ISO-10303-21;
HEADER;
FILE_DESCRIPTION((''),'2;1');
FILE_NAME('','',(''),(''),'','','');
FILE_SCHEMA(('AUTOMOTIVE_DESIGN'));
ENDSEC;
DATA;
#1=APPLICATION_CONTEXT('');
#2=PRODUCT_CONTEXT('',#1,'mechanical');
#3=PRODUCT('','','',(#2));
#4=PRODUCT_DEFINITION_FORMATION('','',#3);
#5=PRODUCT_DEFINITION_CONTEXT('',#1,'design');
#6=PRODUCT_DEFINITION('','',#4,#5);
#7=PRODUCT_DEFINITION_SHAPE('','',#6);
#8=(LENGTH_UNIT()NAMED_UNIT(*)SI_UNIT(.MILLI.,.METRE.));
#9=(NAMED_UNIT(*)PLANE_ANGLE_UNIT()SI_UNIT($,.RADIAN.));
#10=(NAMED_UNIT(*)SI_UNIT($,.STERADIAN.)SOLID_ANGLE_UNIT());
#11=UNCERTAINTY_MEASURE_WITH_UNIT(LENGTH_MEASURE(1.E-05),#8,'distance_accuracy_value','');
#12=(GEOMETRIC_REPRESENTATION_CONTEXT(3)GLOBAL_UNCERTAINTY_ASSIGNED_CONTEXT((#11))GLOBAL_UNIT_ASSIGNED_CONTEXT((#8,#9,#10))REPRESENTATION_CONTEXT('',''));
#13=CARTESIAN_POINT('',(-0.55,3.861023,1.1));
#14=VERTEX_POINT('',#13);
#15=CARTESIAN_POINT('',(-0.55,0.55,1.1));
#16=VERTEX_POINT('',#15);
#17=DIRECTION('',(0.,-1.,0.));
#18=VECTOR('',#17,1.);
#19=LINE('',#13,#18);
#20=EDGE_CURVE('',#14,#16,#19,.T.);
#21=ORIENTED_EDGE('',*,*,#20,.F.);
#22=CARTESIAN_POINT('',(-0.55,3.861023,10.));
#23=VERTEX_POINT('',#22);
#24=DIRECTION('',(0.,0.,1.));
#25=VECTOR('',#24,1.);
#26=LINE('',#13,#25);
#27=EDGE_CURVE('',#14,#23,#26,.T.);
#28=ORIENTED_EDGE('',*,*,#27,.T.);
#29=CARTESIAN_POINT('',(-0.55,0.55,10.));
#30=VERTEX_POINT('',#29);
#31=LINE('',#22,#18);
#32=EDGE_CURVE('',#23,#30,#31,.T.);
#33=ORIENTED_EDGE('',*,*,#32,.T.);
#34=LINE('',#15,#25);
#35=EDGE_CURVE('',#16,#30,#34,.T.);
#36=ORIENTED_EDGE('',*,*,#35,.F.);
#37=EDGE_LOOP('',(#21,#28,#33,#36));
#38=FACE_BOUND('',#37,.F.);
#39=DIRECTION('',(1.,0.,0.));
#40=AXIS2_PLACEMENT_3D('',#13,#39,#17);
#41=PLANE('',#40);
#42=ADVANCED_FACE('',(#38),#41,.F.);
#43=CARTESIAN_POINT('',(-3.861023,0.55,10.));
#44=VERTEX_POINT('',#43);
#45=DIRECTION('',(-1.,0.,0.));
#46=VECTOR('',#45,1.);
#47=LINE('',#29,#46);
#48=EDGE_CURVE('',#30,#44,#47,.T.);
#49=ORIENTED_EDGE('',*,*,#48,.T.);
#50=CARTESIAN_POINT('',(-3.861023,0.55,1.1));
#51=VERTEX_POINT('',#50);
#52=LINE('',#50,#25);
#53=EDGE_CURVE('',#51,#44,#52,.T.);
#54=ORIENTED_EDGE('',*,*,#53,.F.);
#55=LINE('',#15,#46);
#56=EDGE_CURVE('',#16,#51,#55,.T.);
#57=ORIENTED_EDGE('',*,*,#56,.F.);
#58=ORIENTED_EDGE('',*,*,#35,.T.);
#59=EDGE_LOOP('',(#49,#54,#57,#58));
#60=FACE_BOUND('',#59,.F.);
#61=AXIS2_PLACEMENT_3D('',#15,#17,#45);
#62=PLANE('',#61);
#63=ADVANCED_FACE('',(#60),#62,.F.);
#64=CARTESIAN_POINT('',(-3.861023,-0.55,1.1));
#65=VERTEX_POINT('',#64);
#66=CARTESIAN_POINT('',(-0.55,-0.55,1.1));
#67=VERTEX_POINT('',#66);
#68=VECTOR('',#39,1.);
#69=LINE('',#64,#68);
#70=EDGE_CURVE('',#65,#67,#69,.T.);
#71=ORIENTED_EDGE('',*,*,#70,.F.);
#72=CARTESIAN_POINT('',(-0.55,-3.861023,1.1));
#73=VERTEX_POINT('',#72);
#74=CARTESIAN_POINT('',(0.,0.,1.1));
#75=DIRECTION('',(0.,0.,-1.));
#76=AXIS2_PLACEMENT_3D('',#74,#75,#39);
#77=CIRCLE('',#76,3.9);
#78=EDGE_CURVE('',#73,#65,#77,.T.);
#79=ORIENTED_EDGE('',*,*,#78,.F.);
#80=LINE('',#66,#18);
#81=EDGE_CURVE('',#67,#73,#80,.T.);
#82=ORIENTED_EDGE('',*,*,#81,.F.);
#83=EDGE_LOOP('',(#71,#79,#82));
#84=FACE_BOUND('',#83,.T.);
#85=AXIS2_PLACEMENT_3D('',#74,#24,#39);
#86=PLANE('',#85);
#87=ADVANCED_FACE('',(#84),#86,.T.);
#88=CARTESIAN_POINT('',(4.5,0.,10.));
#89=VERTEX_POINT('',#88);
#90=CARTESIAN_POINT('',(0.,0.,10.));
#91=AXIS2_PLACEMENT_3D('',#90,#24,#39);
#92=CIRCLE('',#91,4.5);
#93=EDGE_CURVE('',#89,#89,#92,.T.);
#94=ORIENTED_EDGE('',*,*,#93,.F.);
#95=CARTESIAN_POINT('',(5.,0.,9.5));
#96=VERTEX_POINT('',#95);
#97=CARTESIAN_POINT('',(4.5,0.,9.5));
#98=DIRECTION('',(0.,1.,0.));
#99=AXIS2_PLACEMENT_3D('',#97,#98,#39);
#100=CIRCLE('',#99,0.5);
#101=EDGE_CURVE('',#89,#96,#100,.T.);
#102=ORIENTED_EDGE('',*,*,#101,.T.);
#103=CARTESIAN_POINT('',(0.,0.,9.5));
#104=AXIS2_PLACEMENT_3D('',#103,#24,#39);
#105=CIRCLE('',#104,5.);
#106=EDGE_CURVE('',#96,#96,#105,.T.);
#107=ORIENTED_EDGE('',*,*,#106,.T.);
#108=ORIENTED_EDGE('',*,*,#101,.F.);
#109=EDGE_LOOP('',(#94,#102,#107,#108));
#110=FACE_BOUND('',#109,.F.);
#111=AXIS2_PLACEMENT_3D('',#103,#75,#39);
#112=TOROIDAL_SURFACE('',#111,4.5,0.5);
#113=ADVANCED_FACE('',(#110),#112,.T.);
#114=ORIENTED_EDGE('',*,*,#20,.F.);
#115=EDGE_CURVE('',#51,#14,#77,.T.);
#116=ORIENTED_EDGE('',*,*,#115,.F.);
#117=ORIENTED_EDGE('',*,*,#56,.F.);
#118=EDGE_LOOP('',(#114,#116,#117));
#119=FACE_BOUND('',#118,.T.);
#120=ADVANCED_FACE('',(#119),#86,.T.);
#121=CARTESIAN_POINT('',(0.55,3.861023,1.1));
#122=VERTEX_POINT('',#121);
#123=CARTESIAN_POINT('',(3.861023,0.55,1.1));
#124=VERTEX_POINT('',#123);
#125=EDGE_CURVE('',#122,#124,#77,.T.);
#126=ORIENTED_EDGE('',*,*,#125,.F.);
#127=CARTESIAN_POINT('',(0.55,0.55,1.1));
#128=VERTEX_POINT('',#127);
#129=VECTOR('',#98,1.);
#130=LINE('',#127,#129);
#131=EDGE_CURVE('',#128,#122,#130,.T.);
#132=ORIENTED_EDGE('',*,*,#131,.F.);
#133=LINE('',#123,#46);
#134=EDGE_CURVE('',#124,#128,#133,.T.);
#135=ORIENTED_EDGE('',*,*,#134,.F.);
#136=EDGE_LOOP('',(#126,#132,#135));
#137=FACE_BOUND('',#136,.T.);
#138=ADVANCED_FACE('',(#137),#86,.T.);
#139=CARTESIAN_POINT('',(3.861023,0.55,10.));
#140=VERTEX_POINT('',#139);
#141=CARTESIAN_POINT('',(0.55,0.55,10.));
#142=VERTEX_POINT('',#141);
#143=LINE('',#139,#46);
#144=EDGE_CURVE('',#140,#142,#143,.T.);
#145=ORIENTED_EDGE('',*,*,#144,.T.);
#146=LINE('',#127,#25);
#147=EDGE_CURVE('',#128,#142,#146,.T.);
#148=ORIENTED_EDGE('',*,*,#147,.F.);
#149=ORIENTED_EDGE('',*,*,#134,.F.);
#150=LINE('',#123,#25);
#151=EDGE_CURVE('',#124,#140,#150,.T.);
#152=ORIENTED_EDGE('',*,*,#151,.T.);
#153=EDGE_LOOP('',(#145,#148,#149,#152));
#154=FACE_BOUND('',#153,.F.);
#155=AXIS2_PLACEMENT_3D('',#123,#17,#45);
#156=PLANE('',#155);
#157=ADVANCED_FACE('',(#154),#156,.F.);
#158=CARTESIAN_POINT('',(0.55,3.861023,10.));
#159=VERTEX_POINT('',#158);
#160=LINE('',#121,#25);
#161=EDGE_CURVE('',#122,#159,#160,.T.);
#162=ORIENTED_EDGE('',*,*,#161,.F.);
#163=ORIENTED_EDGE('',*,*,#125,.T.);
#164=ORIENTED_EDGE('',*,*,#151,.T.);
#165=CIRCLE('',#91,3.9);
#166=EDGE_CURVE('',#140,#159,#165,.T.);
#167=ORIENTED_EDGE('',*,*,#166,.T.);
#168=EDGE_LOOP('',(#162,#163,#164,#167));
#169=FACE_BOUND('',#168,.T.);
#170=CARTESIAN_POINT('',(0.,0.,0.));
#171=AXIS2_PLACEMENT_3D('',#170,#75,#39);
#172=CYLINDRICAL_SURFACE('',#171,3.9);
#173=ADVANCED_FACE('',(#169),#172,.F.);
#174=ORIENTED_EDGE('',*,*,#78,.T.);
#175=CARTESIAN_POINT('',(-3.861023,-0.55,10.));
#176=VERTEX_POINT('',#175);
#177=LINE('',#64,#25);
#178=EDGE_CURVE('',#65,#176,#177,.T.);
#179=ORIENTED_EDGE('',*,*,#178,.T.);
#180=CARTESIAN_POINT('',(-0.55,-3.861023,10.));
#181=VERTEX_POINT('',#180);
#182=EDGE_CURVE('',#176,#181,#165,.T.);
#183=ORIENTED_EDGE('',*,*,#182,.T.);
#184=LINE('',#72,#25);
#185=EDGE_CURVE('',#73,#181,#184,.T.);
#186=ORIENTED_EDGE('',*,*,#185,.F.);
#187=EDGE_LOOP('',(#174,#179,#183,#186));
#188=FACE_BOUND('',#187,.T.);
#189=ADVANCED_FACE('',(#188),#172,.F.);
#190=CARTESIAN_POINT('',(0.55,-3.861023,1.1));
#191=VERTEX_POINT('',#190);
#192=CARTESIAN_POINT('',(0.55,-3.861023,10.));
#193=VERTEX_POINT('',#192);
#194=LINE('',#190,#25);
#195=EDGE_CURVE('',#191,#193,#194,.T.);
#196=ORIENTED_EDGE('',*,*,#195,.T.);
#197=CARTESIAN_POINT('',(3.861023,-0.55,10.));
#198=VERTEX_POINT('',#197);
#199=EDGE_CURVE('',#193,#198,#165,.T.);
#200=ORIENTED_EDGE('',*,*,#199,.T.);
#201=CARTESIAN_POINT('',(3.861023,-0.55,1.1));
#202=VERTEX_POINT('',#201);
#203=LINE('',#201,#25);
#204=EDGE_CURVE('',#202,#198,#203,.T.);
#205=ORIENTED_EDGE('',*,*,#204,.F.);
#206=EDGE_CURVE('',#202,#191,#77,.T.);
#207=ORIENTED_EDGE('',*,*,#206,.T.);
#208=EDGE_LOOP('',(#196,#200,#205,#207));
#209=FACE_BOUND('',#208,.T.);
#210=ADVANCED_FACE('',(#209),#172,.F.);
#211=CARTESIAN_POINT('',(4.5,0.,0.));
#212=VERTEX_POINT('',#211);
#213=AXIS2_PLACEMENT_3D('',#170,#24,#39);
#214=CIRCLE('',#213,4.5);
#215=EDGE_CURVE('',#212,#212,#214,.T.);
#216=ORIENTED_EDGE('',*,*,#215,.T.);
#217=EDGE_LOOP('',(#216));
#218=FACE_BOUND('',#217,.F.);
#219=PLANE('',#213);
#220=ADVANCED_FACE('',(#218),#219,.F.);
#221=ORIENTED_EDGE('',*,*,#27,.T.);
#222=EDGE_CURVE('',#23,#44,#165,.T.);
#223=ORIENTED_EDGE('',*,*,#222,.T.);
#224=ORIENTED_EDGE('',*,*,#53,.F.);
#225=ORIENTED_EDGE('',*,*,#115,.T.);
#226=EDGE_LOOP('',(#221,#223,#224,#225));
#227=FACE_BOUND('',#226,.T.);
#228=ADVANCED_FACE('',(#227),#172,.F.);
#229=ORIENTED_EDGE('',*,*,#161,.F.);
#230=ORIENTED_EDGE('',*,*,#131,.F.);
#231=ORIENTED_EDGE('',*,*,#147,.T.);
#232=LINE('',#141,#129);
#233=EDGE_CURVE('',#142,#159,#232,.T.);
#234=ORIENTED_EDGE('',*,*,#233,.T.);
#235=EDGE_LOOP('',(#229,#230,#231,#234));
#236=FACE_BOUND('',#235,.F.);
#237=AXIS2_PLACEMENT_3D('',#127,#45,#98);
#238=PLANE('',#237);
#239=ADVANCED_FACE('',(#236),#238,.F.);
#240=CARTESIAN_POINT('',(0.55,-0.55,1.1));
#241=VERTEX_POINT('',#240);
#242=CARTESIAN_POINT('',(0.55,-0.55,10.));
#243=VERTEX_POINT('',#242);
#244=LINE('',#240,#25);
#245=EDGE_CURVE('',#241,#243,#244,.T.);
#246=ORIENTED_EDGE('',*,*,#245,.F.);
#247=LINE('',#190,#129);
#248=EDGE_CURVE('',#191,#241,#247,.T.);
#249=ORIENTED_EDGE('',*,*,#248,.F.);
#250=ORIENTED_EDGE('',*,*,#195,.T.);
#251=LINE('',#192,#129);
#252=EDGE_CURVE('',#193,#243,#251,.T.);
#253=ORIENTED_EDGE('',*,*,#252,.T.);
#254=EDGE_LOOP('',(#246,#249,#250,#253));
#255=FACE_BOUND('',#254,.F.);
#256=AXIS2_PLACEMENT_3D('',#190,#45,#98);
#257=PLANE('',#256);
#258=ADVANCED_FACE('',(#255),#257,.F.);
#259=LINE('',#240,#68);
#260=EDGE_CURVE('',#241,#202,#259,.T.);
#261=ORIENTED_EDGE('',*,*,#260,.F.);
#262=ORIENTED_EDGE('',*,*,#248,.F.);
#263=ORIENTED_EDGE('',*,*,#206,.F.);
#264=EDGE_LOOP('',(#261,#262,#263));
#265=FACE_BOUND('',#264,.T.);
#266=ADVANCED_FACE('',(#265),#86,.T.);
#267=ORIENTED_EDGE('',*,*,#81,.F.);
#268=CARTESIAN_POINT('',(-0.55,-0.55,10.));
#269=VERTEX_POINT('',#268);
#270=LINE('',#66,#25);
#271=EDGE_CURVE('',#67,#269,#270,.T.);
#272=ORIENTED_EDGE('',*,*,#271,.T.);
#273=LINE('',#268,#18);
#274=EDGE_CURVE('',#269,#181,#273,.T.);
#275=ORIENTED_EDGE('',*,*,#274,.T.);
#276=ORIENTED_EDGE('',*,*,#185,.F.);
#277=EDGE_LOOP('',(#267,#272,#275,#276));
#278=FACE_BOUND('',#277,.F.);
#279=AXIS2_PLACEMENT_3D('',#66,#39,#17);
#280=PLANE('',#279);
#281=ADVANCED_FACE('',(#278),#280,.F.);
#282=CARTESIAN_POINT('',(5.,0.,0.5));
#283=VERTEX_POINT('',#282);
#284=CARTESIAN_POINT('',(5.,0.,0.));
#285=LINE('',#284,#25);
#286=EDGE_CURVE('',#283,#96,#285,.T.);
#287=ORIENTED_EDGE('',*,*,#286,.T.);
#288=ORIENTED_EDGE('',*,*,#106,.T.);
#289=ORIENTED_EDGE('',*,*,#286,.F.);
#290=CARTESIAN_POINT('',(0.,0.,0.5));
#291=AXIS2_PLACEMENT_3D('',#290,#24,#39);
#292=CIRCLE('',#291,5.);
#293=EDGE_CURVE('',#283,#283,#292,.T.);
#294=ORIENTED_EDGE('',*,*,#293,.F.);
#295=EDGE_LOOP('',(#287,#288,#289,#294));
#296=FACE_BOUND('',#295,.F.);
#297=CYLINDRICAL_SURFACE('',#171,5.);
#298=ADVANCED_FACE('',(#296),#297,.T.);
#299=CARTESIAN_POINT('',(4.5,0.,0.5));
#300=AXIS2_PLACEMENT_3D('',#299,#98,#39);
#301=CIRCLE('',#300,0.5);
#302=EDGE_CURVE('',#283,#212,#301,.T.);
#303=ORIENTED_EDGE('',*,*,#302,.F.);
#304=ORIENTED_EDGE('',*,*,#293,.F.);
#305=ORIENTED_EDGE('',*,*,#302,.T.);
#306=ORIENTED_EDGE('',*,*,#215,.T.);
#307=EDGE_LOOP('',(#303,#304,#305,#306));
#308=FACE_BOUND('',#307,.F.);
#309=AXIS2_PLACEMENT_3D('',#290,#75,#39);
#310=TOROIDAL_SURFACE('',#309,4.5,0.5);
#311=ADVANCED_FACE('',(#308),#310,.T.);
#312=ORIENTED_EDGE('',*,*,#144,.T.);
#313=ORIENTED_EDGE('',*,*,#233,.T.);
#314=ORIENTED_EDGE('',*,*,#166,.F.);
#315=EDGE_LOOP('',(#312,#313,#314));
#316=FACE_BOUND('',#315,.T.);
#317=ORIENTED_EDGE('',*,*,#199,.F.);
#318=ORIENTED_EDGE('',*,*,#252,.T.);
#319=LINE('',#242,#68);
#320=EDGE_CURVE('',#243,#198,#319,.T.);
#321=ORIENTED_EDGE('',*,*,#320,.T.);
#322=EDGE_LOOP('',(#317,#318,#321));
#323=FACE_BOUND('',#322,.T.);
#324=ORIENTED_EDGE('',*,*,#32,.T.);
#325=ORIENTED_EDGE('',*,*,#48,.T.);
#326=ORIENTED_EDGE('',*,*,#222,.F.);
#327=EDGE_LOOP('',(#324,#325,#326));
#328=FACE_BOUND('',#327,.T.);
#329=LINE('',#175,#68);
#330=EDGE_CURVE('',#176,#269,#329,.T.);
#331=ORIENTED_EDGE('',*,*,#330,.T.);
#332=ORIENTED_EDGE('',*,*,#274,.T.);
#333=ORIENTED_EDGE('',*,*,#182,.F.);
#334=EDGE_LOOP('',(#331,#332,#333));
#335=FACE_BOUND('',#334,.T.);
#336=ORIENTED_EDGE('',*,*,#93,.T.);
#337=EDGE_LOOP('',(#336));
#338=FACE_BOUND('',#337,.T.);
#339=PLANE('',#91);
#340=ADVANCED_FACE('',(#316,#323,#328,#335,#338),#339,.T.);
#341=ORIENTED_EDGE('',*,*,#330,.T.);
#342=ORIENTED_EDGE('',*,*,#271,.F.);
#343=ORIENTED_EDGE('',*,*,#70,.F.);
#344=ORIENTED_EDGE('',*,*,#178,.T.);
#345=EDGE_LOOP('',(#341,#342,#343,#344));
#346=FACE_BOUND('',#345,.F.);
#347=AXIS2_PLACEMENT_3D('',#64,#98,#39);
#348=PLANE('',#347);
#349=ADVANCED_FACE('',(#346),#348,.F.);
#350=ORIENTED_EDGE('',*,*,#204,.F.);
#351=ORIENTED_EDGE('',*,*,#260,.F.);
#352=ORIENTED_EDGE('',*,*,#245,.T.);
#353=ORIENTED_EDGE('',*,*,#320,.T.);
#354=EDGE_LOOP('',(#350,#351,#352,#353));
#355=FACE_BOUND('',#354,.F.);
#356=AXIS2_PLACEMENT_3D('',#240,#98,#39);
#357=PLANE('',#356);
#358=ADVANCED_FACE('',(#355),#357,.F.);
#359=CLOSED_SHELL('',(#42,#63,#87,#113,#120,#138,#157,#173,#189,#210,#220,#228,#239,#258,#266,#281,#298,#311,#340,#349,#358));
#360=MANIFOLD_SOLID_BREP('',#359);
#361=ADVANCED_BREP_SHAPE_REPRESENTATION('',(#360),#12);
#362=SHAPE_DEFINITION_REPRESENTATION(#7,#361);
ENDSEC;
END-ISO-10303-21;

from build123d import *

# Parameters (mm, degrees)
F0_R     = 5
F1_DEPTH = 10
F2_T     = -1.1
F4_DEPTH = 8.9
F5_R     = 0.5


with BuildPart() as f1:
    # F0 (on Top) → F1 (new body)
    with BuildSketch(Plane.XY):
        Circle(F0_R)
    extrude(amount=F1_DEPTH)

    # F2
    f2_openings = [f1.faces().sort_by_distance(p)[0] for p in [
        (0, 0, 10),
    ]]
    offset(amount=F2_T, openings=f2_openings)

    # F3 (on face) → F4 (join, through all)
    with BuildSketch(Plane.XY.offset(1.1)):
        with BuildLine():
            Line((-0.55, 0.55), (-3.861023, 0.55))
            ThreePointArc((-3.861023, 0.55), (-3.9, 0), (-3.861023, -0.55))
            Line((-3.861023, -0.55), (-0.55, -0.55))
            Line((-0.55, -0.55), (-0.55, -3.861023))
            ThreePointArc((-0.55, -3.861023), (0, -3.9), (0.55, -3.861023))
            Line((0.55, -3.861023), (0.55, -0.55))
            Line((0.55, -0.55), (3.861023, -0.55))
            ThreePointArc((3.861023, -0.55), (3.9, 0), (3.861023, 0.55))
            Line((3.861023, 0.55), (0.55, 0.55))
            Line((0.55, 0.55), (0.55, 3.861023))
            ThreePointArc((0.55, 3.861023), (0, 3.9), (-0.55, 3.861023))
            Line((-0.55, 3.861023), (-0.55, 0.55))
        make_face()
    extrude(amount=F4_DEPTH)

    # F5
    f5_edges = [f1.edges().sort_by_distance(p)[0] for p in [
        (-5, 0, 10),
        (-5, 0, 0),
    ]]
    fillet(f5_edges, radius=F5_R)


solid = f1.part
